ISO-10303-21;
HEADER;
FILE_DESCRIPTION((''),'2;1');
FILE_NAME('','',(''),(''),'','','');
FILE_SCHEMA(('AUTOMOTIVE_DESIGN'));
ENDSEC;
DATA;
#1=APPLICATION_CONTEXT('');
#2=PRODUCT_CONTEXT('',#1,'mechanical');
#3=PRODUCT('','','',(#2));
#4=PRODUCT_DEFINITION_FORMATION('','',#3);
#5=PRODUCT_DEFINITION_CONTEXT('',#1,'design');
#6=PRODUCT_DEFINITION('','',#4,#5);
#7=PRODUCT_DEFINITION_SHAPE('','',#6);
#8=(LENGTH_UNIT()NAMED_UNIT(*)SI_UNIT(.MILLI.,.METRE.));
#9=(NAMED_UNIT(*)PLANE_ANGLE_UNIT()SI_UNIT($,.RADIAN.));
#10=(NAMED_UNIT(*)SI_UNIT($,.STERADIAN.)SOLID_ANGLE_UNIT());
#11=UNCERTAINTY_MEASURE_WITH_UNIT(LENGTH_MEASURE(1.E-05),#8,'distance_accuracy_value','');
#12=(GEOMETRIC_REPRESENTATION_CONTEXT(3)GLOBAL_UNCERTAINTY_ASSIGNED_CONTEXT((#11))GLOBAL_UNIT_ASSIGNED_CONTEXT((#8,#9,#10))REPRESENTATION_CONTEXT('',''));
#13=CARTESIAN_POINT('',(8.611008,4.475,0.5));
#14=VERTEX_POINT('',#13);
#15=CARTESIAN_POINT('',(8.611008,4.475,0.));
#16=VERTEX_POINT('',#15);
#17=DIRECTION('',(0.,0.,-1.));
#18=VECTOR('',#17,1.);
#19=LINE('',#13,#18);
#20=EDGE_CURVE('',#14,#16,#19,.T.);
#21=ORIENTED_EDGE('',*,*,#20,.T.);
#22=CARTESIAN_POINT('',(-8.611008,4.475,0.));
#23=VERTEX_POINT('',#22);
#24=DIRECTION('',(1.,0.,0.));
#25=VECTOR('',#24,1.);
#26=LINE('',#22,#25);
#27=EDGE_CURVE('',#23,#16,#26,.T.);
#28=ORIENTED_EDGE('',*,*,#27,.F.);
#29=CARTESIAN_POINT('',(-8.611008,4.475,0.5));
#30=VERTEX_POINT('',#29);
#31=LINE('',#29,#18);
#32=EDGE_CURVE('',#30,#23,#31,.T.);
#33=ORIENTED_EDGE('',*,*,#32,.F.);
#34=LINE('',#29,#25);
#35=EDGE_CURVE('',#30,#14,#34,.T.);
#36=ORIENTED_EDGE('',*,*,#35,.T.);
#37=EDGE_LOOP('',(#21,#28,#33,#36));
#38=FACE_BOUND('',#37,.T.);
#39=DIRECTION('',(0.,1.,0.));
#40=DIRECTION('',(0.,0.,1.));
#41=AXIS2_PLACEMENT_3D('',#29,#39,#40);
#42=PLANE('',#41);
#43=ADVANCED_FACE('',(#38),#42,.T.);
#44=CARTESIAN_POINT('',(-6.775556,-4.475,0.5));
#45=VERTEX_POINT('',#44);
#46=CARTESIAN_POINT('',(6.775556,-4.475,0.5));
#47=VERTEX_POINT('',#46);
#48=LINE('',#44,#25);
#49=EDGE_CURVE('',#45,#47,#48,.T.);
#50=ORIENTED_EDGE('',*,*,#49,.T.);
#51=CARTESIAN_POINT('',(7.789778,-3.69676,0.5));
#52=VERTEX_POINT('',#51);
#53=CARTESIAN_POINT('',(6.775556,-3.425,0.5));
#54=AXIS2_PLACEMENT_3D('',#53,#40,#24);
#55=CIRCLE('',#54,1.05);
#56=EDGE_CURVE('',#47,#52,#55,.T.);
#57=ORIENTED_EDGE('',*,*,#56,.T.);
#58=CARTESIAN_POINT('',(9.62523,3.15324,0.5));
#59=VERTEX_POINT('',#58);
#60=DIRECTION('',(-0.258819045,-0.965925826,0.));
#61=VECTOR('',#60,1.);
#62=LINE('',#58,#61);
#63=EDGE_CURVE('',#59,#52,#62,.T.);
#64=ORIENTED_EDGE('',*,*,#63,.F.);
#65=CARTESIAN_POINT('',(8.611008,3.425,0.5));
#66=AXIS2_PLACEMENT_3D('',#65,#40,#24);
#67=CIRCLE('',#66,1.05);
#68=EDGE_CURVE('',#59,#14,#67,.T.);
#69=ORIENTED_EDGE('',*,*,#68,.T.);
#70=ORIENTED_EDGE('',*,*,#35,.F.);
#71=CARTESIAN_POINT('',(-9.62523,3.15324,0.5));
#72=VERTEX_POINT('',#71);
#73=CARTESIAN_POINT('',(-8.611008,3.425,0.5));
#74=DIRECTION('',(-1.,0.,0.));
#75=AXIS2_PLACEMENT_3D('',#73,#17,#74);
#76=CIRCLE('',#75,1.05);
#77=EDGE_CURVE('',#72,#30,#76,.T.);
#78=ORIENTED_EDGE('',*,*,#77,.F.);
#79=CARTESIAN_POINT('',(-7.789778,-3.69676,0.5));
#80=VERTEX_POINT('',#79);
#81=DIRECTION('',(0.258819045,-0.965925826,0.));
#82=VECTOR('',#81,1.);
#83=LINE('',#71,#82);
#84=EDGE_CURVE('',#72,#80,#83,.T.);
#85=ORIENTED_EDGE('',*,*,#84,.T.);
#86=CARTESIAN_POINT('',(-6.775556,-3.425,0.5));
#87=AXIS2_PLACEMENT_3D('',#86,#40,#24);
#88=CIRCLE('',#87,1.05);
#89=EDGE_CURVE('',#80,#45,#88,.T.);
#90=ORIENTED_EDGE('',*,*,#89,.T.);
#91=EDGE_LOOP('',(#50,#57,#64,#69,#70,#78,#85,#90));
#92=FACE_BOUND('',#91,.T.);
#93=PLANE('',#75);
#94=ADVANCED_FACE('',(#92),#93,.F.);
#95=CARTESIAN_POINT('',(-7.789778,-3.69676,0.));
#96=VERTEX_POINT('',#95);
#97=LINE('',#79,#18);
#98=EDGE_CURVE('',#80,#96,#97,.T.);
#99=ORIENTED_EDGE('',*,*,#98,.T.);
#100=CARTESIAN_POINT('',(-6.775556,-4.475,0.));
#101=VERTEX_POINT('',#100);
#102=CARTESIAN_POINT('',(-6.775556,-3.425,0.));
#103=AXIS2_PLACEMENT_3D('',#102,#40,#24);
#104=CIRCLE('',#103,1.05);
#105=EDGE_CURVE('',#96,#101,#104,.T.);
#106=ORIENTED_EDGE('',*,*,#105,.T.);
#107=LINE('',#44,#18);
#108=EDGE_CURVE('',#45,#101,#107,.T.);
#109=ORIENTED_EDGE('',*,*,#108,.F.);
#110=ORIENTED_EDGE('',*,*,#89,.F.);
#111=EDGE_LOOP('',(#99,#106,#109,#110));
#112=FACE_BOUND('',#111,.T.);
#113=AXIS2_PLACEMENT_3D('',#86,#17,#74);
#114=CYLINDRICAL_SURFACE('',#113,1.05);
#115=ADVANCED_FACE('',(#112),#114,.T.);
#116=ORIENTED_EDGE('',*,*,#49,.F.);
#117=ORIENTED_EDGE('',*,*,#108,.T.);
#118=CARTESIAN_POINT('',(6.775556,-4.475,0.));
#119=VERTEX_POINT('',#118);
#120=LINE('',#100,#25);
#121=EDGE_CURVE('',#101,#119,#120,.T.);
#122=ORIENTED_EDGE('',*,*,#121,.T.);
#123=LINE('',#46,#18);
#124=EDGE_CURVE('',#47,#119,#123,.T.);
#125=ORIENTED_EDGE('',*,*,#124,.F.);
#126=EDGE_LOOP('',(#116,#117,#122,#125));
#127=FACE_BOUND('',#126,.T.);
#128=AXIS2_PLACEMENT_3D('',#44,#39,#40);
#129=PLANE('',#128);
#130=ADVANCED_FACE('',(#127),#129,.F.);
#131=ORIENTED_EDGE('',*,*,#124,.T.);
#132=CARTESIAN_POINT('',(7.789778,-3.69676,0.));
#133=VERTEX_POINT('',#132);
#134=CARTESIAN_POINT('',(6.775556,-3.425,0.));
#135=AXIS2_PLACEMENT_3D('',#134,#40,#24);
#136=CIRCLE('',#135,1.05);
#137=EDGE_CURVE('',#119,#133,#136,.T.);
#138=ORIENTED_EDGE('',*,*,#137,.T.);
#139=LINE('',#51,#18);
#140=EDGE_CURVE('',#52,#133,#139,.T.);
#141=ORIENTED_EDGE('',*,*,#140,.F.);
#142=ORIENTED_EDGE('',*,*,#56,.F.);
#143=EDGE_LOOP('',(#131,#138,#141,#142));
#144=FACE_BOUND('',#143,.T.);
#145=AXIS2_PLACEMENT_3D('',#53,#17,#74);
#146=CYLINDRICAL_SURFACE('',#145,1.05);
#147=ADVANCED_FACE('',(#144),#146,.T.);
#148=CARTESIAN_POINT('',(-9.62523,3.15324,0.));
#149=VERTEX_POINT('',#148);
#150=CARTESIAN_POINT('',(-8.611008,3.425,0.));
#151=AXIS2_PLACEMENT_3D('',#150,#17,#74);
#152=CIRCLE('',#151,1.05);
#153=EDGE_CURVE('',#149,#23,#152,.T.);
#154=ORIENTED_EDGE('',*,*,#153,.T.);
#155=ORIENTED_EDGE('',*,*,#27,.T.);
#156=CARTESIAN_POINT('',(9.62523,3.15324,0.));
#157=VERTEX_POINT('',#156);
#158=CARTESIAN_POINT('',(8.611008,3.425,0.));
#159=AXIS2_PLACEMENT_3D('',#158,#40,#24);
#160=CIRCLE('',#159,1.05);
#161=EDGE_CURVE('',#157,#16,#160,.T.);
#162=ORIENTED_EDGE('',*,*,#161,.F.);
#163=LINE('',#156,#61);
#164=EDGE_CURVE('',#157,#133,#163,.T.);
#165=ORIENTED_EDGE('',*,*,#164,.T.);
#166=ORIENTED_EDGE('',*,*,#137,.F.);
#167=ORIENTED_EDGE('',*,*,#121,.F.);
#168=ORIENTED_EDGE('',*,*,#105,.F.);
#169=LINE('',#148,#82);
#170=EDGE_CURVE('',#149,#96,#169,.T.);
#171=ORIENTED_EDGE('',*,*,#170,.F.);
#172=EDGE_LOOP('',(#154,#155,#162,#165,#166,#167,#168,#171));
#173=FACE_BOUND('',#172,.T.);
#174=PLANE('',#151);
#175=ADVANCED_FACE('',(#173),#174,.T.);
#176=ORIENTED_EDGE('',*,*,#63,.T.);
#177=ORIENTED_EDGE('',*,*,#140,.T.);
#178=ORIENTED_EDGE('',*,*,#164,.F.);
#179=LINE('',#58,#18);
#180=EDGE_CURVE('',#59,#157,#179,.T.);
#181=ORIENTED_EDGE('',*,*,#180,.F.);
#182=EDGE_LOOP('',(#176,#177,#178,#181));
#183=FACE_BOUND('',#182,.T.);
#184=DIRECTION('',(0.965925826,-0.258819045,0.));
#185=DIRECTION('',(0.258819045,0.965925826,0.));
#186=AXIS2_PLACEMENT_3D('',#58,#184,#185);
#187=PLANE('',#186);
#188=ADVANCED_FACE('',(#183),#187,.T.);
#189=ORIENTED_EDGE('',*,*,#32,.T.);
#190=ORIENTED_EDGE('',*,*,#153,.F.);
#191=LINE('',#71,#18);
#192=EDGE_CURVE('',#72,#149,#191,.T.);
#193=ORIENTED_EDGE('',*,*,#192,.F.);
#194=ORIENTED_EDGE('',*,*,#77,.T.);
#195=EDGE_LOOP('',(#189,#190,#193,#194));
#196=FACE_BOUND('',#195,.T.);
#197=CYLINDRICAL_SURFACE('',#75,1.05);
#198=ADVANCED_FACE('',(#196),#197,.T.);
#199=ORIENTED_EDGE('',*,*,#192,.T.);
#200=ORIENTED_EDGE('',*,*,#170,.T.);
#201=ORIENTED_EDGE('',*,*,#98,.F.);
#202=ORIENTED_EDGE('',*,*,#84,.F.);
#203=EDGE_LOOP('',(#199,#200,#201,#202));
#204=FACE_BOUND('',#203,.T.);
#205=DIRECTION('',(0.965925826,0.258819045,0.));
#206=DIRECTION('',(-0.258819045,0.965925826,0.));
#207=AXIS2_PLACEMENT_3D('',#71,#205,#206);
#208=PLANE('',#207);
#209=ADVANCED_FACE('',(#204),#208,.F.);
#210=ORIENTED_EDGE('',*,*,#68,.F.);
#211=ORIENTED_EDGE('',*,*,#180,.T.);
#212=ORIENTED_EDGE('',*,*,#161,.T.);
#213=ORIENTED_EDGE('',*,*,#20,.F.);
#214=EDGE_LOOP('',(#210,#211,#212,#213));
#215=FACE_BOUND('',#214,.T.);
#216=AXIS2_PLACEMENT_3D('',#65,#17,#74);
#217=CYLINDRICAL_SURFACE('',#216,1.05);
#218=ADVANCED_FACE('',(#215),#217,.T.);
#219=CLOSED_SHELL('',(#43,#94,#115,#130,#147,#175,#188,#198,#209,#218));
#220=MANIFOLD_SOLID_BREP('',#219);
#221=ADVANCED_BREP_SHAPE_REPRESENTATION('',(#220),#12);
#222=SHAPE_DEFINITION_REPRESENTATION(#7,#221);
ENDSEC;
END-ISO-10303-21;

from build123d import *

# Parameters (mm, degrees)
BOSS_EXTRUDE1_DEPTH = 0.5


with BuildPart() as part:
    # Sketch1 → Boss-Extrude1 (new body)
    with BuildSketch(Plane.XY):
        with BuildLine():
            Line((-8.611007598, 4.475), (8.611007598, 4.475))
            ThreePointArc((8.611007598, 4.475), (9.444028606, 4.0641995), (9.625229716, 3.153240003))
            Line((9.625229716, 3.153240003), (7.789777748, -3.696759997))
            ThreePointArc((7.789777748, -3.696759997), (7.414755131, -4.258021007), (6.77555563, -4.475))
            Line((6.77555563, -4.475), (-6.77555563, -4.475))
            ThreePointArc((-6.77555563, -4.475), (-7.414755131, -4.258021007), (-7.789777748, -3.696759997))
            Line((-7.789777748, -3.696759997), (-9.625229716, 3.153240003))
            ThreePointArc((-9.625229716, 3.153240003), (-9.444028606, 4.0641995), (-8.611007598, 4.475))
        make_face()
    extrude(amount=BOSS_EXTRUDE1_DEPTH)


solid = part.part
